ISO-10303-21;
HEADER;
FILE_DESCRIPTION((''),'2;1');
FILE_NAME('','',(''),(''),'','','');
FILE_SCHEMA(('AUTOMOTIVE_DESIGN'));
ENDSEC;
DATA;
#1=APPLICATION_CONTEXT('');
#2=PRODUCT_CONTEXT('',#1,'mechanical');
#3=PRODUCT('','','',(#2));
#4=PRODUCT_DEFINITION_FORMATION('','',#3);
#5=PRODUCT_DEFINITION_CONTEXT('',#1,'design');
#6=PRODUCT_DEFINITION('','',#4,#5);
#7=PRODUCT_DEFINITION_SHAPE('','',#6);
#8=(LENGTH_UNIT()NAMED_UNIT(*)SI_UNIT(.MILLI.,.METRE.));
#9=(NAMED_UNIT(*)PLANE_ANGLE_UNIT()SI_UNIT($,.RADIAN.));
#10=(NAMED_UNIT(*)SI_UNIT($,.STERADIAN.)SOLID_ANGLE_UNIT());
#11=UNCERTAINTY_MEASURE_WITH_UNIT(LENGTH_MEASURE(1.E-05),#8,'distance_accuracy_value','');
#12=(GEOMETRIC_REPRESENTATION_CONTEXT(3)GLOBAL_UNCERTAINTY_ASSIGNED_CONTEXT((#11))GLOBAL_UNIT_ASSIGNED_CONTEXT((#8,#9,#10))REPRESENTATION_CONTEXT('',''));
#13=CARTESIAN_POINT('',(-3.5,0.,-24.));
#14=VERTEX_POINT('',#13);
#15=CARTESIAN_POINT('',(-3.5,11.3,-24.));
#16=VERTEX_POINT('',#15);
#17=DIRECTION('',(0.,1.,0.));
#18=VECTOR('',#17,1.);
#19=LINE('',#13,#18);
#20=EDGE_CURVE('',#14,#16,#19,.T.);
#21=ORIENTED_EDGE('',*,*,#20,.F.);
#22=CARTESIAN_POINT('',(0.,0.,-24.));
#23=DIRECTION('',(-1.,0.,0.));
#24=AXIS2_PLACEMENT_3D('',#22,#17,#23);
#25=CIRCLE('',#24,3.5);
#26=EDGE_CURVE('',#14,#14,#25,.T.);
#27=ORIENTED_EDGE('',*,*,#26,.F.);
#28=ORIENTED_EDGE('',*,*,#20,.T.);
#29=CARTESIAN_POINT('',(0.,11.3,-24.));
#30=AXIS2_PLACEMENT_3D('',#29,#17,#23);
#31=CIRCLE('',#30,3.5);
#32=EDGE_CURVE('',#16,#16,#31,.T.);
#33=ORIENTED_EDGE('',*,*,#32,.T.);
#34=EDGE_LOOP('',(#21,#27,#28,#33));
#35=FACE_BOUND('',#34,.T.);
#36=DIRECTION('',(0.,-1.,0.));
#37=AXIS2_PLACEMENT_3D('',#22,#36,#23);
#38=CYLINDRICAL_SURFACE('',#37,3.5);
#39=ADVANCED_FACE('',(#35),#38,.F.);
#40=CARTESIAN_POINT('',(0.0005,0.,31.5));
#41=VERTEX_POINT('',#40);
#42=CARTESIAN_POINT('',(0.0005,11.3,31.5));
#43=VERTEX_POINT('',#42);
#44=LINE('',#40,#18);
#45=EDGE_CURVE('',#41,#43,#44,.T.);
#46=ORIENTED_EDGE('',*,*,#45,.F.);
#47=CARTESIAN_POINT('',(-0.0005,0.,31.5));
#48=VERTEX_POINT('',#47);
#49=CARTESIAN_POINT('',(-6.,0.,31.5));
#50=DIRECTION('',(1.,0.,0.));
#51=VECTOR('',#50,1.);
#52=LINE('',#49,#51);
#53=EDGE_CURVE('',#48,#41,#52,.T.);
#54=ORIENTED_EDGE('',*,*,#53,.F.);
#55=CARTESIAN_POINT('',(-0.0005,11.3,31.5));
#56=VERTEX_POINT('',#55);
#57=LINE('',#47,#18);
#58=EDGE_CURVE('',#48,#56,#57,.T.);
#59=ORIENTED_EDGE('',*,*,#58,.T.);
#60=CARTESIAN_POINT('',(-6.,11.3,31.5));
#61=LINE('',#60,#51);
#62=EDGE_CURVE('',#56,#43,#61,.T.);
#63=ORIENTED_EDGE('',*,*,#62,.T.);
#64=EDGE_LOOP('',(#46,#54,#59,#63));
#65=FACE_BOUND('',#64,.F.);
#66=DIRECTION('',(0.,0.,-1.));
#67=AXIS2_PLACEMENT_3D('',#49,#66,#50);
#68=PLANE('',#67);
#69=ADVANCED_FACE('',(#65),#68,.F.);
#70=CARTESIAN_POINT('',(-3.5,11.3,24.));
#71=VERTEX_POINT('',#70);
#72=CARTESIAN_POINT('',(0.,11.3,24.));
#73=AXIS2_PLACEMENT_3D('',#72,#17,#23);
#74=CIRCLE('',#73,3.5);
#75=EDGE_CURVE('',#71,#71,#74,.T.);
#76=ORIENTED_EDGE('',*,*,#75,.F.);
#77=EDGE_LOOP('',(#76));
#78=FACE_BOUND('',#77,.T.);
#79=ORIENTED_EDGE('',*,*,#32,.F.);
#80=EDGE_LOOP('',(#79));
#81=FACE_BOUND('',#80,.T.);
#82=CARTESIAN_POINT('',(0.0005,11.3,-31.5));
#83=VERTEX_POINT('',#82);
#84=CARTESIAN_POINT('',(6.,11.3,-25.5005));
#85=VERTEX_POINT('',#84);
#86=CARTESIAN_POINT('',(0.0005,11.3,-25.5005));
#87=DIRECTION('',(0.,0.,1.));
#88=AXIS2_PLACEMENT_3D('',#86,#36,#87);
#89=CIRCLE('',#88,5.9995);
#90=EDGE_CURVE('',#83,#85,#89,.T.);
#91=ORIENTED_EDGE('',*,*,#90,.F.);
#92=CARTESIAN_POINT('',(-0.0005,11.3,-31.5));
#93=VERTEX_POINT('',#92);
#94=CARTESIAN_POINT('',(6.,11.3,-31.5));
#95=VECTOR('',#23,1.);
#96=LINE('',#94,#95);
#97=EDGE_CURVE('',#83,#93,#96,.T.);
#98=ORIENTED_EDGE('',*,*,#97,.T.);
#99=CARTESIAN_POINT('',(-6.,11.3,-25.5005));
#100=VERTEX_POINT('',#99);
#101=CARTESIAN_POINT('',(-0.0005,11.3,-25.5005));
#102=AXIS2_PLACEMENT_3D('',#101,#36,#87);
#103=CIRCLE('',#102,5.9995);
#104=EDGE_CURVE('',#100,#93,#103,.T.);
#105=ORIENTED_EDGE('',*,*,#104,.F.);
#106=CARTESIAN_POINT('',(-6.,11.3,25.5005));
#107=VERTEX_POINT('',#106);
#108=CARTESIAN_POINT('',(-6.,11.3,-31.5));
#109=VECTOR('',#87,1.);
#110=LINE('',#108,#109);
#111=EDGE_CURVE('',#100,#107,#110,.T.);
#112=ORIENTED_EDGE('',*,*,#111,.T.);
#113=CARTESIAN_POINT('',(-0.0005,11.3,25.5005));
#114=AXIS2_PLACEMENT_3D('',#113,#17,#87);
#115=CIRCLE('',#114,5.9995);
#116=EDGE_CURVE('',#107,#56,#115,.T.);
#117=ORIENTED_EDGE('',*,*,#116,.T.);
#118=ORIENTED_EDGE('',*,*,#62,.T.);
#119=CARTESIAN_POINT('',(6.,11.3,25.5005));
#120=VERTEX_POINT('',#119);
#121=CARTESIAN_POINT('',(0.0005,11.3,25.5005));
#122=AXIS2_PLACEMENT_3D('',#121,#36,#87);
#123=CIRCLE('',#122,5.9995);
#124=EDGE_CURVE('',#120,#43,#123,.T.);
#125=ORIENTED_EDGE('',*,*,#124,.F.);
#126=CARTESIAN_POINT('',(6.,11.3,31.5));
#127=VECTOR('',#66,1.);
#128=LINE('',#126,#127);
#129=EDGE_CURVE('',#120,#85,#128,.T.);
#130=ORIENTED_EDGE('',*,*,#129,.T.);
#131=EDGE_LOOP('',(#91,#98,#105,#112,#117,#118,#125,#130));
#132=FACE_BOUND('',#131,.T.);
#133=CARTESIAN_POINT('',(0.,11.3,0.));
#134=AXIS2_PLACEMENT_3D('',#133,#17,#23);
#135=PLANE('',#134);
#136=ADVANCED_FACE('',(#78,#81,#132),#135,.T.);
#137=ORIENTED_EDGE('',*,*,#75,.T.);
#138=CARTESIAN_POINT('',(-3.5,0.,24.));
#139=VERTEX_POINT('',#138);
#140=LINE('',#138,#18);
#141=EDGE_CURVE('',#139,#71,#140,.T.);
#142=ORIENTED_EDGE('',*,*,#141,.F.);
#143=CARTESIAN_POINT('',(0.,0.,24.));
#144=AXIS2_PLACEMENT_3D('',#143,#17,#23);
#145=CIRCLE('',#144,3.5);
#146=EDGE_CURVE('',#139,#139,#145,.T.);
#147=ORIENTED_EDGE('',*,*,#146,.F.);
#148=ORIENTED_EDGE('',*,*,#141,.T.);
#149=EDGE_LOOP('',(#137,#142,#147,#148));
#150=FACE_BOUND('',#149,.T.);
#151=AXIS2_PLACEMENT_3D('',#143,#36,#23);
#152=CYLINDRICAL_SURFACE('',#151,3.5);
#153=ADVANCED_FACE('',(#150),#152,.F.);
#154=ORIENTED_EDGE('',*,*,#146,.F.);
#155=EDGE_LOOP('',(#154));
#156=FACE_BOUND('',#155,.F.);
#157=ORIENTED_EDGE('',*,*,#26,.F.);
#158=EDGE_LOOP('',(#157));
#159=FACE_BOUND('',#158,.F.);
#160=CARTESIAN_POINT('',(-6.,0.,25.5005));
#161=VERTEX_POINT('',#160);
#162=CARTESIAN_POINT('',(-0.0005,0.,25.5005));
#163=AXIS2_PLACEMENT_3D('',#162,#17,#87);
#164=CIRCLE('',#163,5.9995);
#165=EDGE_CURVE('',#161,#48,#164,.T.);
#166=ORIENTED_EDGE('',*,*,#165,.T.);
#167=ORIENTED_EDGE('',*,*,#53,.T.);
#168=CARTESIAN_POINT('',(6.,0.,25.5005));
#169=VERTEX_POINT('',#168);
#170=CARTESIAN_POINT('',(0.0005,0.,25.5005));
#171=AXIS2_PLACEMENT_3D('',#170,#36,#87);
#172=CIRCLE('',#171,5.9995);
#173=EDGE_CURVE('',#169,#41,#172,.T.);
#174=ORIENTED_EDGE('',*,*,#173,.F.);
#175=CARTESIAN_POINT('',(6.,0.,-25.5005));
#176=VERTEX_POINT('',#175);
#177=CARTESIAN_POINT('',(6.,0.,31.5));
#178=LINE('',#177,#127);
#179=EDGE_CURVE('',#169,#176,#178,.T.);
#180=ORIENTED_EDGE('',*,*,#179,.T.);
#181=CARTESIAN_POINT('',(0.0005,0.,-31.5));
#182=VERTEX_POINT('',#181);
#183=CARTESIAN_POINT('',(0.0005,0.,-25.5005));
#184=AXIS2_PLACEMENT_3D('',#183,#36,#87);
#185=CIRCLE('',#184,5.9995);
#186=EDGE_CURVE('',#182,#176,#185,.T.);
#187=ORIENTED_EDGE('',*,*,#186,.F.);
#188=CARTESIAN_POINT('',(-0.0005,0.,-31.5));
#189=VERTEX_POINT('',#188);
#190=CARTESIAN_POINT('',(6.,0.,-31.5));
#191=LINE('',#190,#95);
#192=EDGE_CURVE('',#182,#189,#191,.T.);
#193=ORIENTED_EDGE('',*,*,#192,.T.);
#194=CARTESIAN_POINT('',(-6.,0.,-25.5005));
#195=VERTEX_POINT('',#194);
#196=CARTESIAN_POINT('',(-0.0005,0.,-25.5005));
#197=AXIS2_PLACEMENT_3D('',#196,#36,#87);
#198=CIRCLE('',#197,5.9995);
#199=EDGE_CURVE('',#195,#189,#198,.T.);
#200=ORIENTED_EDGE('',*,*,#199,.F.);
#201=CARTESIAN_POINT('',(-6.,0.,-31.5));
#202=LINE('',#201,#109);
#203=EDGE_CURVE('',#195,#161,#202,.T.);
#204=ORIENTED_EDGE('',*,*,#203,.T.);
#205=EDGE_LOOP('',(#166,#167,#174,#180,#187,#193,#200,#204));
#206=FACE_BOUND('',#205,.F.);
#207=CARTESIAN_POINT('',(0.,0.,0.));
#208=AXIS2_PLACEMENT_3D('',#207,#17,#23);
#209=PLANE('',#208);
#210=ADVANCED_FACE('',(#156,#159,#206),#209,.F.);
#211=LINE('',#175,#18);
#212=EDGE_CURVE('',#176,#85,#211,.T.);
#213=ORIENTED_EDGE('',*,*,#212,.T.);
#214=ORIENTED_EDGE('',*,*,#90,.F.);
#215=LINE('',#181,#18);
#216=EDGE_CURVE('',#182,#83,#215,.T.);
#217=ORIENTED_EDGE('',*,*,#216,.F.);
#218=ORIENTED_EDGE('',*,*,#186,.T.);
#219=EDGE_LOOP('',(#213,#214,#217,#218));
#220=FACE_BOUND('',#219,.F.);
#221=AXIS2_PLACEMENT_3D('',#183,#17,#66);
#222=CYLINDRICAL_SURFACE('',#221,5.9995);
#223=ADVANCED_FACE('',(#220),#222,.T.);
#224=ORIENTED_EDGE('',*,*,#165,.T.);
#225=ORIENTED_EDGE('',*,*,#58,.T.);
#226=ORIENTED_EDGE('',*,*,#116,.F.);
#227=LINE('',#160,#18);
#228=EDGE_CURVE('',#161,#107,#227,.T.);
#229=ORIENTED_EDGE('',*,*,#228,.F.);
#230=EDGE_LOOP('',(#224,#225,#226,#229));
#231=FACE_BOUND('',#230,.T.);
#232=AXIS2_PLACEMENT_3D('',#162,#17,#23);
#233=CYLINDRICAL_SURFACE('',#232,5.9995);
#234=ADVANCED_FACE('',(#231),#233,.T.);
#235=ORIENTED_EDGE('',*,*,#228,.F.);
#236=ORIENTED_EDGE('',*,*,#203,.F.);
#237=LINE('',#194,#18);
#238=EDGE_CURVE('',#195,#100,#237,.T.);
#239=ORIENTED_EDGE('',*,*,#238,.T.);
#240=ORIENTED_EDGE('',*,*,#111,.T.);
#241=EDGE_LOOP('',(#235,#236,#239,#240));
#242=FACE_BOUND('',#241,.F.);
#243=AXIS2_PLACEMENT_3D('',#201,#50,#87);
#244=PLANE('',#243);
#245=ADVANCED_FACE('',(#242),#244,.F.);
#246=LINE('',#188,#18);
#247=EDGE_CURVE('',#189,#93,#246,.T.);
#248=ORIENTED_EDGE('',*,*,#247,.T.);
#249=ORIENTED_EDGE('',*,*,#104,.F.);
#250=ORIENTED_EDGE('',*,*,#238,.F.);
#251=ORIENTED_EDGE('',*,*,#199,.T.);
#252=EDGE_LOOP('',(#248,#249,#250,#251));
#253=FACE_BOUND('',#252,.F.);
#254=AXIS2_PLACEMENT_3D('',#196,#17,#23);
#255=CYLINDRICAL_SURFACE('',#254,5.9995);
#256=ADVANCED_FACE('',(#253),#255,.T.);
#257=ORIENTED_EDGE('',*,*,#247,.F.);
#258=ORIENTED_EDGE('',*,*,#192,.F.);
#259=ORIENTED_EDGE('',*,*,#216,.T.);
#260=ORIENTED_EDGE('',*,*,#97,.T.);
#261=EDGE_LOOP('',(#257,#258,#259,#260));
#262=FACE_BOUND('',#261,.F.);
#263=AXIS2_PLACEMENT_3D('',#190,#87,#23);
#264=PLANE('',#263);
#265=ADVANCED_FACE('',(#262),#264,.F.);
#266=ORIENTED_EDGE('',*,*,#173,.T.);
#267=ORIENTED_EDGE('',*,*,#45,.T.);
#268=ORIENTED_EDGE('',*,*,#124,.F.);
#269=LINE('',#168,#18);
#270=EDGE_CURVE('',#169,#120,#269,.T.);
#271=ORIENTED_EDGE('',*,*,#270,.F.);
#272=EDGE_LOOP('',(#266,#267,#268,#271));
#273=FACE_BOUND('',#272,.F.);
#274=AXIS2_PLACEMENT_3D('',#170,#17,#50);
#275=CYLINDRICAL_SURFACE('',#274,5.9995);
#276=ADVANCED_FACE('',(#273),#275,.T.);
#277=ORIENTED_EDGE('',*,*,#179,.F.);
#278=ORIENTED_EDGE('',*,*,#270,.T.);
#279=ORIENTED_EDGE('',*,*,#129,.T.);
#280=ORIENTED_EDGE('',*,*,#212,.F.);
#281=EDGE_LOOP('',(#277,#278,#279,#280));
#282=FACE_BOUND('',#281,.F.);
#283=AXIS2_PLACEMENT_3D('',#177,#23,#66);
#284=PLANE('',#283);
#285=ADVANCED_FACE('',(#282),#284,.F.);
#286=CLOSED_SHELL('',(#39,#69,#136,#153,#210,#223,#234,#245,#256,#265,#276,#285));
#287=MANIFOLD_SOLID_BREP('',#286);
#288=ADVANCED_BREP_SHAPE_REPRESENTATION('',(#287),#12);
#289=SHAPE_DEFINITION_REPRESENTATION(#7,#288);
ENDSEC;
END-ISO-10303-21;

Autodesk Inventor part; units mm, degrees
ref_plane "YZ Plane" through (0, 0, 0) normal (1, 0, 0) x (0, 1, 0)
ref_plane "XZ Plane" through (0, 0, 0) normal (0, 1, 0) x (-1, 0, 0)
ref_plane "XY Plane" through (0, 0, 0) normal (0, 0, 1) x (1, 0, 0)
sketch "Sketch1" plane through (0, 0, 0) normal (0, 1, 0) x (-1, 0, 0)
  line L0 (6, 31.5) -> (-6, 31.5)
  line L1 (-6, 31.5) -> (-6, -31.5)
  line L2 (-6, -31.5) -> (6, -31.5)
  line L3 (6, -31.5) -> (6, 31.5)
  line L4 (6, 31.5) -> (-6, -31.5) construction
  line L5 (-6, 31.5) -> (6, -31.5) construction
  circle A0 centre (0, -24) radius 3.5
  line L6 (6, 0) -> (-6, 0) construction
  circle A1 centre (0, 24) radius 3.5
  point P0 (0, 0)
  dimension "d0" = 12
  dimension "d1" = 63
  dimension "d3" = 7
  dimension "d4" = 24
extrude "Extrusion1" add sketch "Sketch1" along normal blind 11.3
fillet "Fillet1" radius 6 4 edges at (-6, 5.65, 31.5) (6, 5.65, 31.5) (6, 5.65, -31.5) (-6, 5.65, -31.5)
properties part number "FourBarSection" material "PC/ABS Plastic"
